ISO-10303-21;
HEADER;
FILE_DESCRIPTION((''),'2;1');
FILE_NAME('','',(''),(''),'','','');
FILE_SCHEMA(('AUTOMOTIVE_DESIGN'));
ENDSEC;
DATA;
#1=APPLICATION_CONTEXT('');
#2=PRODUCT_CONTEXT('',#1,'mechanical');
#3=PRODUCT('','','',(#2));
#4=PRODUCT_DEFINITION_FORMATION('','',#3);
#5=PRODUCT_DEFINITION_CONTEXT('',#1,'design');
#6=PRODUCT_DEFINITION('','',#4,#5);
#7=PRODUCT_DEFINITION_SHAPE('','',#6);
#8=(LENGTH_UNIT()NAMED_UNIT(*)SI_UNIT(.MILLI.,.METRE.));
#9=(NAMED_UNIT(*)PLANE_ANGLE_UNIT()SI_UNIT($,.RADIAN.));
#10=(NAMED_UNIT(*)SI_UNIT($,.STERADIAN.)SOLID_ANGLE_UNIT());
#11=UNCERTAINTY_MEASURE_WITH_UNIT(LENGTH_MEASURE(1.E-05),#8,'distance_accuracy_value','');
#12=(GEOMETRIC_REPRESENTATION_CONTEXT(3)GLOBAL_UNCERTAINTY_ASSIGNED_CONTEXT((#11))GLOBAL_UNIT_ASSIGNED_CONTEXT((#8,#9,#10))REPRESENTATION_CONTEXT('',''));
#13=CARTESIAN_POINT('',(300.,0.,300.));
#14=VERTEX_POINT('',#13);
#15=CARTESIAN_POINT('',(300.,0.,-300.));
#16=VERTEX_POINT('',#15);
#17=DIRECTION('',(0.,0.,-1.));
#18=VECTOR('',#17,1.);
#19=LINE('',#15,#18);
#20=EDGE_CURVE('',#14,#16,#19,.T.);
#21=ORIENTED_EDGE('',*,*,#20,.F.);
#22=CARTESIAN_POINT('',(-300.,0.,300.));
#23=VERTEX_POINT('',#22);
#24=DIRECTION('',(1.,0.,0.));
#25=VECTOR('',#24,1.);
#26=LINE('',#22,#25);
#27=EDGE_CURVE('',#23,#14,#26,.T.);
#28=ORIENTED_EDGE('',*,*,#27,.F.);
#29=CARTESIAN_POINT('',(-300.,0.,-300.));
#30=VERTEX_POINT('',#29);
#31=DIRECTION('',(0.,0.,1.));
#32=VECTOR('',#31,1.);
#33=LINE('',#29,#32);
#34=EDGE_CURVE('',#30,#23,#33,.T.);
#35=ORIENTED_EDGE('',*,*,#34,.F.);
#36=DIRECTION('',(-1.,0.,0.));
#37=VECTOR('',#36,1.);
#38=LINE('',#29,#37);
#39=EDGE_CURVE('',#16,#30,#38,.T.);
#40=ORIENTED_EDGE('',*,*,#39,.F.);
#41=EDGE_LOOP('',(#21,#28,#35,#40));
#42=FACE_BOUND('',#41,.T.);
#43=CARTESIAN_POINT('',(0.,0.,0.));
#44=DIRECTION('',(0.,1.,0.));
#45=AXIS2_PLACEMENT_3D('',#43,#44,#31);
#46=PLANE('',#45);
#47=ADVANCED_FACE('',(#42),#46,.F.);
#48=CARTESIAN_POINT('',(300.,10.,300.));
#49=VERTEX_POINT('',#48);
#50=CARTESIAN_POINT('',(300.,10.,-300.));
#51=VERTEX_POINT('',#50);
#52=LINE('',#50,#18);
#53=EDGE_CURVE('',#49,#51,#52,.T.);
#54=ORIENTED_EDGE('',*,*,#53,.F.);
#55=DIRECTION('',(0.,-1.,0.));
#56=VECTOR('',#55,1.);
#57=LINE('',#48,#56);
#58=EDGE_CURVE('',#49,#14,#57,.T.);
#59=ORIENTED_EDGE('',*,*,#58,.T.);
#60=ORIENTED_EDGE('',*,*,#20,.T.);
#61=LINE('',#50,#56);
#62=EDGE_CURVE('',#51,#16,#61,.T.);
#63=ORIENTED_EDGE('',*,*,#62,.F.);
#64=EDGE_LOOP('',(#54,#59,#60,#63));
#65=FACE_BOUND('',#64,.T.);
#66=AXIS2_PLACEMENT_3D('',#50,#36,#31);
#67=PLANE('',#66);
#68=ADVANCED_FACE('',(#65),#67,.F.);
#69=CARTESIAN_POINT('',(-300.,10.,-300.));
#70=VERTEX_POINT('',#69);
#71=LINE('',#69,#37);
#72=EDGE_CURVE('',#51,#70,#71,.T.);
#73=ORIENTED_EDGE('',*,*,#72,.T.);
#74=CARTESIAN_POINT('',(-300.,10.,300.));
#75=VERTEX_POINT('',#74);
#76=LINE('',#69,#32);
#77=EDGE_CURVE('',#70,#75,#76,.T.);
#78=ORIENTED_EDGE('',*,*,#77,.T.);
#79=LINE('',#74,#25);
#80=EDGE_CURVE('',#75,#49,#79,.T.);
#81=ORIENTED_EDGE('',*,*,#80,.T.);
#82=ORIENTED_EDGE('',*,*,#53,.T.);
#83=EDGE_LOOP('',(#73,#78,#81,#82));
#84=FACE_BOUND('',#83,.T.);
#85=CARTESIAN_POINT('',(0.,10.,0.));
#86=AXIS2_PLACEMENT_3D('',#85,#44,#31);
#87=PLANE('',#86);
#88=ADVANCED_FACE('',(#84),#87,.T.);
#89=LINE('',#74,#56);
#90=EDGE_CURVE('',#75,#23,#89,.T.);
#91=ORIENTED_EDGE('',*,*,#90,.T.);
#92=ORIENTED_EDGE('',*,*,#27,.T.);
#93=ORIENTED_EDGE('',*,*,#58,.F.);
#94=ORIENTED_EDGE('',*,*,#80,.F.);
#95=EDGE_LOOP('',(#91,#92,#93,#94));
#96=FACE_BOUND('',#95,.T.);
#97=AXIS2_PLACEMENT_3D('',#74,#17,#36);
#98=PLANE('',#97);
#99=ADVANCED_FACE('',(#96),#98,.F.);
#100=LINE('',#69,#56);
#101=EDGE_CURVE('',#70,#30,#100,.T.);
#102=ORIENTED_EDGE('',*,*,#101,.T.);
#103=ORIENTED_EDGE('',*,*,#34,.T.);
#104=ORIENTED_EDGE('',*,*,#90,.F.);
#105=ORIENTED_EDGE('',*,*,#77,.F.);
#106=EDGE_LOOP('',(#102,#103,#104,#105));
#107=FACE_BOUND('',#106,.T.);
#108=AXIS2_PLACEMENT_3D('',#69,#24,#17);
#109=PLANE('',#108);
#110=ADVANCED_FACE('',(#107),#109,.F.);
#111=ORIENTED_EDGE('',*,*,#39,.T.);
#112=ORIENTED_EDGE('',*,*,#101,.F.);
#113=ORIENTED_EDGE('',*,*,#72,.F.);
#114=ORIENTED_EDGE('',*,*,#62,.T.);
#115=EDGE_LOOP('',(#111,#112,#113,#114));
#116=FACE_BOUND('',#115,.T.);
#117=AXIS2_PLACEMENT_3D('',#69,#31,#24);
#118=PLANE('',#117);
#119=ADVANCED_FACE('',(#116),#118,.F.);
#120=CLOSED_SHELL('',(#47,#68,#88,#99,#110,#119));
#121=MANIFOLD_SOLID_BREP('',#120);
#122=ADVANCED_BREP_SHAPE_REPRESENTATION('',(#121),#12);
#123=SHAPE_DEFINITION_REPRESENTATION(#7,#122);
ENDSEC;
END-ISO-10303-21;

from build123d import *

# Parameters (mm, degrees)
SKETCH_1_W      = 600
SKETCH_1_H      = 600
EXTRUDE_1_DEPTH = 10


with BuildPart() as part:
    # 草图1 → 凸台-拉伸1 (new body)
    with BuildSketch(Plane(origin=(0, 0, 0), x_dir=(1, 0, 0), z_dir=(0, 1, 0))):
        Rectangle(SKETCH_1_W, SKETCH_1_H)
    extrude(amount=EXTRUDE_1_DEPTH)


solid = part.part
